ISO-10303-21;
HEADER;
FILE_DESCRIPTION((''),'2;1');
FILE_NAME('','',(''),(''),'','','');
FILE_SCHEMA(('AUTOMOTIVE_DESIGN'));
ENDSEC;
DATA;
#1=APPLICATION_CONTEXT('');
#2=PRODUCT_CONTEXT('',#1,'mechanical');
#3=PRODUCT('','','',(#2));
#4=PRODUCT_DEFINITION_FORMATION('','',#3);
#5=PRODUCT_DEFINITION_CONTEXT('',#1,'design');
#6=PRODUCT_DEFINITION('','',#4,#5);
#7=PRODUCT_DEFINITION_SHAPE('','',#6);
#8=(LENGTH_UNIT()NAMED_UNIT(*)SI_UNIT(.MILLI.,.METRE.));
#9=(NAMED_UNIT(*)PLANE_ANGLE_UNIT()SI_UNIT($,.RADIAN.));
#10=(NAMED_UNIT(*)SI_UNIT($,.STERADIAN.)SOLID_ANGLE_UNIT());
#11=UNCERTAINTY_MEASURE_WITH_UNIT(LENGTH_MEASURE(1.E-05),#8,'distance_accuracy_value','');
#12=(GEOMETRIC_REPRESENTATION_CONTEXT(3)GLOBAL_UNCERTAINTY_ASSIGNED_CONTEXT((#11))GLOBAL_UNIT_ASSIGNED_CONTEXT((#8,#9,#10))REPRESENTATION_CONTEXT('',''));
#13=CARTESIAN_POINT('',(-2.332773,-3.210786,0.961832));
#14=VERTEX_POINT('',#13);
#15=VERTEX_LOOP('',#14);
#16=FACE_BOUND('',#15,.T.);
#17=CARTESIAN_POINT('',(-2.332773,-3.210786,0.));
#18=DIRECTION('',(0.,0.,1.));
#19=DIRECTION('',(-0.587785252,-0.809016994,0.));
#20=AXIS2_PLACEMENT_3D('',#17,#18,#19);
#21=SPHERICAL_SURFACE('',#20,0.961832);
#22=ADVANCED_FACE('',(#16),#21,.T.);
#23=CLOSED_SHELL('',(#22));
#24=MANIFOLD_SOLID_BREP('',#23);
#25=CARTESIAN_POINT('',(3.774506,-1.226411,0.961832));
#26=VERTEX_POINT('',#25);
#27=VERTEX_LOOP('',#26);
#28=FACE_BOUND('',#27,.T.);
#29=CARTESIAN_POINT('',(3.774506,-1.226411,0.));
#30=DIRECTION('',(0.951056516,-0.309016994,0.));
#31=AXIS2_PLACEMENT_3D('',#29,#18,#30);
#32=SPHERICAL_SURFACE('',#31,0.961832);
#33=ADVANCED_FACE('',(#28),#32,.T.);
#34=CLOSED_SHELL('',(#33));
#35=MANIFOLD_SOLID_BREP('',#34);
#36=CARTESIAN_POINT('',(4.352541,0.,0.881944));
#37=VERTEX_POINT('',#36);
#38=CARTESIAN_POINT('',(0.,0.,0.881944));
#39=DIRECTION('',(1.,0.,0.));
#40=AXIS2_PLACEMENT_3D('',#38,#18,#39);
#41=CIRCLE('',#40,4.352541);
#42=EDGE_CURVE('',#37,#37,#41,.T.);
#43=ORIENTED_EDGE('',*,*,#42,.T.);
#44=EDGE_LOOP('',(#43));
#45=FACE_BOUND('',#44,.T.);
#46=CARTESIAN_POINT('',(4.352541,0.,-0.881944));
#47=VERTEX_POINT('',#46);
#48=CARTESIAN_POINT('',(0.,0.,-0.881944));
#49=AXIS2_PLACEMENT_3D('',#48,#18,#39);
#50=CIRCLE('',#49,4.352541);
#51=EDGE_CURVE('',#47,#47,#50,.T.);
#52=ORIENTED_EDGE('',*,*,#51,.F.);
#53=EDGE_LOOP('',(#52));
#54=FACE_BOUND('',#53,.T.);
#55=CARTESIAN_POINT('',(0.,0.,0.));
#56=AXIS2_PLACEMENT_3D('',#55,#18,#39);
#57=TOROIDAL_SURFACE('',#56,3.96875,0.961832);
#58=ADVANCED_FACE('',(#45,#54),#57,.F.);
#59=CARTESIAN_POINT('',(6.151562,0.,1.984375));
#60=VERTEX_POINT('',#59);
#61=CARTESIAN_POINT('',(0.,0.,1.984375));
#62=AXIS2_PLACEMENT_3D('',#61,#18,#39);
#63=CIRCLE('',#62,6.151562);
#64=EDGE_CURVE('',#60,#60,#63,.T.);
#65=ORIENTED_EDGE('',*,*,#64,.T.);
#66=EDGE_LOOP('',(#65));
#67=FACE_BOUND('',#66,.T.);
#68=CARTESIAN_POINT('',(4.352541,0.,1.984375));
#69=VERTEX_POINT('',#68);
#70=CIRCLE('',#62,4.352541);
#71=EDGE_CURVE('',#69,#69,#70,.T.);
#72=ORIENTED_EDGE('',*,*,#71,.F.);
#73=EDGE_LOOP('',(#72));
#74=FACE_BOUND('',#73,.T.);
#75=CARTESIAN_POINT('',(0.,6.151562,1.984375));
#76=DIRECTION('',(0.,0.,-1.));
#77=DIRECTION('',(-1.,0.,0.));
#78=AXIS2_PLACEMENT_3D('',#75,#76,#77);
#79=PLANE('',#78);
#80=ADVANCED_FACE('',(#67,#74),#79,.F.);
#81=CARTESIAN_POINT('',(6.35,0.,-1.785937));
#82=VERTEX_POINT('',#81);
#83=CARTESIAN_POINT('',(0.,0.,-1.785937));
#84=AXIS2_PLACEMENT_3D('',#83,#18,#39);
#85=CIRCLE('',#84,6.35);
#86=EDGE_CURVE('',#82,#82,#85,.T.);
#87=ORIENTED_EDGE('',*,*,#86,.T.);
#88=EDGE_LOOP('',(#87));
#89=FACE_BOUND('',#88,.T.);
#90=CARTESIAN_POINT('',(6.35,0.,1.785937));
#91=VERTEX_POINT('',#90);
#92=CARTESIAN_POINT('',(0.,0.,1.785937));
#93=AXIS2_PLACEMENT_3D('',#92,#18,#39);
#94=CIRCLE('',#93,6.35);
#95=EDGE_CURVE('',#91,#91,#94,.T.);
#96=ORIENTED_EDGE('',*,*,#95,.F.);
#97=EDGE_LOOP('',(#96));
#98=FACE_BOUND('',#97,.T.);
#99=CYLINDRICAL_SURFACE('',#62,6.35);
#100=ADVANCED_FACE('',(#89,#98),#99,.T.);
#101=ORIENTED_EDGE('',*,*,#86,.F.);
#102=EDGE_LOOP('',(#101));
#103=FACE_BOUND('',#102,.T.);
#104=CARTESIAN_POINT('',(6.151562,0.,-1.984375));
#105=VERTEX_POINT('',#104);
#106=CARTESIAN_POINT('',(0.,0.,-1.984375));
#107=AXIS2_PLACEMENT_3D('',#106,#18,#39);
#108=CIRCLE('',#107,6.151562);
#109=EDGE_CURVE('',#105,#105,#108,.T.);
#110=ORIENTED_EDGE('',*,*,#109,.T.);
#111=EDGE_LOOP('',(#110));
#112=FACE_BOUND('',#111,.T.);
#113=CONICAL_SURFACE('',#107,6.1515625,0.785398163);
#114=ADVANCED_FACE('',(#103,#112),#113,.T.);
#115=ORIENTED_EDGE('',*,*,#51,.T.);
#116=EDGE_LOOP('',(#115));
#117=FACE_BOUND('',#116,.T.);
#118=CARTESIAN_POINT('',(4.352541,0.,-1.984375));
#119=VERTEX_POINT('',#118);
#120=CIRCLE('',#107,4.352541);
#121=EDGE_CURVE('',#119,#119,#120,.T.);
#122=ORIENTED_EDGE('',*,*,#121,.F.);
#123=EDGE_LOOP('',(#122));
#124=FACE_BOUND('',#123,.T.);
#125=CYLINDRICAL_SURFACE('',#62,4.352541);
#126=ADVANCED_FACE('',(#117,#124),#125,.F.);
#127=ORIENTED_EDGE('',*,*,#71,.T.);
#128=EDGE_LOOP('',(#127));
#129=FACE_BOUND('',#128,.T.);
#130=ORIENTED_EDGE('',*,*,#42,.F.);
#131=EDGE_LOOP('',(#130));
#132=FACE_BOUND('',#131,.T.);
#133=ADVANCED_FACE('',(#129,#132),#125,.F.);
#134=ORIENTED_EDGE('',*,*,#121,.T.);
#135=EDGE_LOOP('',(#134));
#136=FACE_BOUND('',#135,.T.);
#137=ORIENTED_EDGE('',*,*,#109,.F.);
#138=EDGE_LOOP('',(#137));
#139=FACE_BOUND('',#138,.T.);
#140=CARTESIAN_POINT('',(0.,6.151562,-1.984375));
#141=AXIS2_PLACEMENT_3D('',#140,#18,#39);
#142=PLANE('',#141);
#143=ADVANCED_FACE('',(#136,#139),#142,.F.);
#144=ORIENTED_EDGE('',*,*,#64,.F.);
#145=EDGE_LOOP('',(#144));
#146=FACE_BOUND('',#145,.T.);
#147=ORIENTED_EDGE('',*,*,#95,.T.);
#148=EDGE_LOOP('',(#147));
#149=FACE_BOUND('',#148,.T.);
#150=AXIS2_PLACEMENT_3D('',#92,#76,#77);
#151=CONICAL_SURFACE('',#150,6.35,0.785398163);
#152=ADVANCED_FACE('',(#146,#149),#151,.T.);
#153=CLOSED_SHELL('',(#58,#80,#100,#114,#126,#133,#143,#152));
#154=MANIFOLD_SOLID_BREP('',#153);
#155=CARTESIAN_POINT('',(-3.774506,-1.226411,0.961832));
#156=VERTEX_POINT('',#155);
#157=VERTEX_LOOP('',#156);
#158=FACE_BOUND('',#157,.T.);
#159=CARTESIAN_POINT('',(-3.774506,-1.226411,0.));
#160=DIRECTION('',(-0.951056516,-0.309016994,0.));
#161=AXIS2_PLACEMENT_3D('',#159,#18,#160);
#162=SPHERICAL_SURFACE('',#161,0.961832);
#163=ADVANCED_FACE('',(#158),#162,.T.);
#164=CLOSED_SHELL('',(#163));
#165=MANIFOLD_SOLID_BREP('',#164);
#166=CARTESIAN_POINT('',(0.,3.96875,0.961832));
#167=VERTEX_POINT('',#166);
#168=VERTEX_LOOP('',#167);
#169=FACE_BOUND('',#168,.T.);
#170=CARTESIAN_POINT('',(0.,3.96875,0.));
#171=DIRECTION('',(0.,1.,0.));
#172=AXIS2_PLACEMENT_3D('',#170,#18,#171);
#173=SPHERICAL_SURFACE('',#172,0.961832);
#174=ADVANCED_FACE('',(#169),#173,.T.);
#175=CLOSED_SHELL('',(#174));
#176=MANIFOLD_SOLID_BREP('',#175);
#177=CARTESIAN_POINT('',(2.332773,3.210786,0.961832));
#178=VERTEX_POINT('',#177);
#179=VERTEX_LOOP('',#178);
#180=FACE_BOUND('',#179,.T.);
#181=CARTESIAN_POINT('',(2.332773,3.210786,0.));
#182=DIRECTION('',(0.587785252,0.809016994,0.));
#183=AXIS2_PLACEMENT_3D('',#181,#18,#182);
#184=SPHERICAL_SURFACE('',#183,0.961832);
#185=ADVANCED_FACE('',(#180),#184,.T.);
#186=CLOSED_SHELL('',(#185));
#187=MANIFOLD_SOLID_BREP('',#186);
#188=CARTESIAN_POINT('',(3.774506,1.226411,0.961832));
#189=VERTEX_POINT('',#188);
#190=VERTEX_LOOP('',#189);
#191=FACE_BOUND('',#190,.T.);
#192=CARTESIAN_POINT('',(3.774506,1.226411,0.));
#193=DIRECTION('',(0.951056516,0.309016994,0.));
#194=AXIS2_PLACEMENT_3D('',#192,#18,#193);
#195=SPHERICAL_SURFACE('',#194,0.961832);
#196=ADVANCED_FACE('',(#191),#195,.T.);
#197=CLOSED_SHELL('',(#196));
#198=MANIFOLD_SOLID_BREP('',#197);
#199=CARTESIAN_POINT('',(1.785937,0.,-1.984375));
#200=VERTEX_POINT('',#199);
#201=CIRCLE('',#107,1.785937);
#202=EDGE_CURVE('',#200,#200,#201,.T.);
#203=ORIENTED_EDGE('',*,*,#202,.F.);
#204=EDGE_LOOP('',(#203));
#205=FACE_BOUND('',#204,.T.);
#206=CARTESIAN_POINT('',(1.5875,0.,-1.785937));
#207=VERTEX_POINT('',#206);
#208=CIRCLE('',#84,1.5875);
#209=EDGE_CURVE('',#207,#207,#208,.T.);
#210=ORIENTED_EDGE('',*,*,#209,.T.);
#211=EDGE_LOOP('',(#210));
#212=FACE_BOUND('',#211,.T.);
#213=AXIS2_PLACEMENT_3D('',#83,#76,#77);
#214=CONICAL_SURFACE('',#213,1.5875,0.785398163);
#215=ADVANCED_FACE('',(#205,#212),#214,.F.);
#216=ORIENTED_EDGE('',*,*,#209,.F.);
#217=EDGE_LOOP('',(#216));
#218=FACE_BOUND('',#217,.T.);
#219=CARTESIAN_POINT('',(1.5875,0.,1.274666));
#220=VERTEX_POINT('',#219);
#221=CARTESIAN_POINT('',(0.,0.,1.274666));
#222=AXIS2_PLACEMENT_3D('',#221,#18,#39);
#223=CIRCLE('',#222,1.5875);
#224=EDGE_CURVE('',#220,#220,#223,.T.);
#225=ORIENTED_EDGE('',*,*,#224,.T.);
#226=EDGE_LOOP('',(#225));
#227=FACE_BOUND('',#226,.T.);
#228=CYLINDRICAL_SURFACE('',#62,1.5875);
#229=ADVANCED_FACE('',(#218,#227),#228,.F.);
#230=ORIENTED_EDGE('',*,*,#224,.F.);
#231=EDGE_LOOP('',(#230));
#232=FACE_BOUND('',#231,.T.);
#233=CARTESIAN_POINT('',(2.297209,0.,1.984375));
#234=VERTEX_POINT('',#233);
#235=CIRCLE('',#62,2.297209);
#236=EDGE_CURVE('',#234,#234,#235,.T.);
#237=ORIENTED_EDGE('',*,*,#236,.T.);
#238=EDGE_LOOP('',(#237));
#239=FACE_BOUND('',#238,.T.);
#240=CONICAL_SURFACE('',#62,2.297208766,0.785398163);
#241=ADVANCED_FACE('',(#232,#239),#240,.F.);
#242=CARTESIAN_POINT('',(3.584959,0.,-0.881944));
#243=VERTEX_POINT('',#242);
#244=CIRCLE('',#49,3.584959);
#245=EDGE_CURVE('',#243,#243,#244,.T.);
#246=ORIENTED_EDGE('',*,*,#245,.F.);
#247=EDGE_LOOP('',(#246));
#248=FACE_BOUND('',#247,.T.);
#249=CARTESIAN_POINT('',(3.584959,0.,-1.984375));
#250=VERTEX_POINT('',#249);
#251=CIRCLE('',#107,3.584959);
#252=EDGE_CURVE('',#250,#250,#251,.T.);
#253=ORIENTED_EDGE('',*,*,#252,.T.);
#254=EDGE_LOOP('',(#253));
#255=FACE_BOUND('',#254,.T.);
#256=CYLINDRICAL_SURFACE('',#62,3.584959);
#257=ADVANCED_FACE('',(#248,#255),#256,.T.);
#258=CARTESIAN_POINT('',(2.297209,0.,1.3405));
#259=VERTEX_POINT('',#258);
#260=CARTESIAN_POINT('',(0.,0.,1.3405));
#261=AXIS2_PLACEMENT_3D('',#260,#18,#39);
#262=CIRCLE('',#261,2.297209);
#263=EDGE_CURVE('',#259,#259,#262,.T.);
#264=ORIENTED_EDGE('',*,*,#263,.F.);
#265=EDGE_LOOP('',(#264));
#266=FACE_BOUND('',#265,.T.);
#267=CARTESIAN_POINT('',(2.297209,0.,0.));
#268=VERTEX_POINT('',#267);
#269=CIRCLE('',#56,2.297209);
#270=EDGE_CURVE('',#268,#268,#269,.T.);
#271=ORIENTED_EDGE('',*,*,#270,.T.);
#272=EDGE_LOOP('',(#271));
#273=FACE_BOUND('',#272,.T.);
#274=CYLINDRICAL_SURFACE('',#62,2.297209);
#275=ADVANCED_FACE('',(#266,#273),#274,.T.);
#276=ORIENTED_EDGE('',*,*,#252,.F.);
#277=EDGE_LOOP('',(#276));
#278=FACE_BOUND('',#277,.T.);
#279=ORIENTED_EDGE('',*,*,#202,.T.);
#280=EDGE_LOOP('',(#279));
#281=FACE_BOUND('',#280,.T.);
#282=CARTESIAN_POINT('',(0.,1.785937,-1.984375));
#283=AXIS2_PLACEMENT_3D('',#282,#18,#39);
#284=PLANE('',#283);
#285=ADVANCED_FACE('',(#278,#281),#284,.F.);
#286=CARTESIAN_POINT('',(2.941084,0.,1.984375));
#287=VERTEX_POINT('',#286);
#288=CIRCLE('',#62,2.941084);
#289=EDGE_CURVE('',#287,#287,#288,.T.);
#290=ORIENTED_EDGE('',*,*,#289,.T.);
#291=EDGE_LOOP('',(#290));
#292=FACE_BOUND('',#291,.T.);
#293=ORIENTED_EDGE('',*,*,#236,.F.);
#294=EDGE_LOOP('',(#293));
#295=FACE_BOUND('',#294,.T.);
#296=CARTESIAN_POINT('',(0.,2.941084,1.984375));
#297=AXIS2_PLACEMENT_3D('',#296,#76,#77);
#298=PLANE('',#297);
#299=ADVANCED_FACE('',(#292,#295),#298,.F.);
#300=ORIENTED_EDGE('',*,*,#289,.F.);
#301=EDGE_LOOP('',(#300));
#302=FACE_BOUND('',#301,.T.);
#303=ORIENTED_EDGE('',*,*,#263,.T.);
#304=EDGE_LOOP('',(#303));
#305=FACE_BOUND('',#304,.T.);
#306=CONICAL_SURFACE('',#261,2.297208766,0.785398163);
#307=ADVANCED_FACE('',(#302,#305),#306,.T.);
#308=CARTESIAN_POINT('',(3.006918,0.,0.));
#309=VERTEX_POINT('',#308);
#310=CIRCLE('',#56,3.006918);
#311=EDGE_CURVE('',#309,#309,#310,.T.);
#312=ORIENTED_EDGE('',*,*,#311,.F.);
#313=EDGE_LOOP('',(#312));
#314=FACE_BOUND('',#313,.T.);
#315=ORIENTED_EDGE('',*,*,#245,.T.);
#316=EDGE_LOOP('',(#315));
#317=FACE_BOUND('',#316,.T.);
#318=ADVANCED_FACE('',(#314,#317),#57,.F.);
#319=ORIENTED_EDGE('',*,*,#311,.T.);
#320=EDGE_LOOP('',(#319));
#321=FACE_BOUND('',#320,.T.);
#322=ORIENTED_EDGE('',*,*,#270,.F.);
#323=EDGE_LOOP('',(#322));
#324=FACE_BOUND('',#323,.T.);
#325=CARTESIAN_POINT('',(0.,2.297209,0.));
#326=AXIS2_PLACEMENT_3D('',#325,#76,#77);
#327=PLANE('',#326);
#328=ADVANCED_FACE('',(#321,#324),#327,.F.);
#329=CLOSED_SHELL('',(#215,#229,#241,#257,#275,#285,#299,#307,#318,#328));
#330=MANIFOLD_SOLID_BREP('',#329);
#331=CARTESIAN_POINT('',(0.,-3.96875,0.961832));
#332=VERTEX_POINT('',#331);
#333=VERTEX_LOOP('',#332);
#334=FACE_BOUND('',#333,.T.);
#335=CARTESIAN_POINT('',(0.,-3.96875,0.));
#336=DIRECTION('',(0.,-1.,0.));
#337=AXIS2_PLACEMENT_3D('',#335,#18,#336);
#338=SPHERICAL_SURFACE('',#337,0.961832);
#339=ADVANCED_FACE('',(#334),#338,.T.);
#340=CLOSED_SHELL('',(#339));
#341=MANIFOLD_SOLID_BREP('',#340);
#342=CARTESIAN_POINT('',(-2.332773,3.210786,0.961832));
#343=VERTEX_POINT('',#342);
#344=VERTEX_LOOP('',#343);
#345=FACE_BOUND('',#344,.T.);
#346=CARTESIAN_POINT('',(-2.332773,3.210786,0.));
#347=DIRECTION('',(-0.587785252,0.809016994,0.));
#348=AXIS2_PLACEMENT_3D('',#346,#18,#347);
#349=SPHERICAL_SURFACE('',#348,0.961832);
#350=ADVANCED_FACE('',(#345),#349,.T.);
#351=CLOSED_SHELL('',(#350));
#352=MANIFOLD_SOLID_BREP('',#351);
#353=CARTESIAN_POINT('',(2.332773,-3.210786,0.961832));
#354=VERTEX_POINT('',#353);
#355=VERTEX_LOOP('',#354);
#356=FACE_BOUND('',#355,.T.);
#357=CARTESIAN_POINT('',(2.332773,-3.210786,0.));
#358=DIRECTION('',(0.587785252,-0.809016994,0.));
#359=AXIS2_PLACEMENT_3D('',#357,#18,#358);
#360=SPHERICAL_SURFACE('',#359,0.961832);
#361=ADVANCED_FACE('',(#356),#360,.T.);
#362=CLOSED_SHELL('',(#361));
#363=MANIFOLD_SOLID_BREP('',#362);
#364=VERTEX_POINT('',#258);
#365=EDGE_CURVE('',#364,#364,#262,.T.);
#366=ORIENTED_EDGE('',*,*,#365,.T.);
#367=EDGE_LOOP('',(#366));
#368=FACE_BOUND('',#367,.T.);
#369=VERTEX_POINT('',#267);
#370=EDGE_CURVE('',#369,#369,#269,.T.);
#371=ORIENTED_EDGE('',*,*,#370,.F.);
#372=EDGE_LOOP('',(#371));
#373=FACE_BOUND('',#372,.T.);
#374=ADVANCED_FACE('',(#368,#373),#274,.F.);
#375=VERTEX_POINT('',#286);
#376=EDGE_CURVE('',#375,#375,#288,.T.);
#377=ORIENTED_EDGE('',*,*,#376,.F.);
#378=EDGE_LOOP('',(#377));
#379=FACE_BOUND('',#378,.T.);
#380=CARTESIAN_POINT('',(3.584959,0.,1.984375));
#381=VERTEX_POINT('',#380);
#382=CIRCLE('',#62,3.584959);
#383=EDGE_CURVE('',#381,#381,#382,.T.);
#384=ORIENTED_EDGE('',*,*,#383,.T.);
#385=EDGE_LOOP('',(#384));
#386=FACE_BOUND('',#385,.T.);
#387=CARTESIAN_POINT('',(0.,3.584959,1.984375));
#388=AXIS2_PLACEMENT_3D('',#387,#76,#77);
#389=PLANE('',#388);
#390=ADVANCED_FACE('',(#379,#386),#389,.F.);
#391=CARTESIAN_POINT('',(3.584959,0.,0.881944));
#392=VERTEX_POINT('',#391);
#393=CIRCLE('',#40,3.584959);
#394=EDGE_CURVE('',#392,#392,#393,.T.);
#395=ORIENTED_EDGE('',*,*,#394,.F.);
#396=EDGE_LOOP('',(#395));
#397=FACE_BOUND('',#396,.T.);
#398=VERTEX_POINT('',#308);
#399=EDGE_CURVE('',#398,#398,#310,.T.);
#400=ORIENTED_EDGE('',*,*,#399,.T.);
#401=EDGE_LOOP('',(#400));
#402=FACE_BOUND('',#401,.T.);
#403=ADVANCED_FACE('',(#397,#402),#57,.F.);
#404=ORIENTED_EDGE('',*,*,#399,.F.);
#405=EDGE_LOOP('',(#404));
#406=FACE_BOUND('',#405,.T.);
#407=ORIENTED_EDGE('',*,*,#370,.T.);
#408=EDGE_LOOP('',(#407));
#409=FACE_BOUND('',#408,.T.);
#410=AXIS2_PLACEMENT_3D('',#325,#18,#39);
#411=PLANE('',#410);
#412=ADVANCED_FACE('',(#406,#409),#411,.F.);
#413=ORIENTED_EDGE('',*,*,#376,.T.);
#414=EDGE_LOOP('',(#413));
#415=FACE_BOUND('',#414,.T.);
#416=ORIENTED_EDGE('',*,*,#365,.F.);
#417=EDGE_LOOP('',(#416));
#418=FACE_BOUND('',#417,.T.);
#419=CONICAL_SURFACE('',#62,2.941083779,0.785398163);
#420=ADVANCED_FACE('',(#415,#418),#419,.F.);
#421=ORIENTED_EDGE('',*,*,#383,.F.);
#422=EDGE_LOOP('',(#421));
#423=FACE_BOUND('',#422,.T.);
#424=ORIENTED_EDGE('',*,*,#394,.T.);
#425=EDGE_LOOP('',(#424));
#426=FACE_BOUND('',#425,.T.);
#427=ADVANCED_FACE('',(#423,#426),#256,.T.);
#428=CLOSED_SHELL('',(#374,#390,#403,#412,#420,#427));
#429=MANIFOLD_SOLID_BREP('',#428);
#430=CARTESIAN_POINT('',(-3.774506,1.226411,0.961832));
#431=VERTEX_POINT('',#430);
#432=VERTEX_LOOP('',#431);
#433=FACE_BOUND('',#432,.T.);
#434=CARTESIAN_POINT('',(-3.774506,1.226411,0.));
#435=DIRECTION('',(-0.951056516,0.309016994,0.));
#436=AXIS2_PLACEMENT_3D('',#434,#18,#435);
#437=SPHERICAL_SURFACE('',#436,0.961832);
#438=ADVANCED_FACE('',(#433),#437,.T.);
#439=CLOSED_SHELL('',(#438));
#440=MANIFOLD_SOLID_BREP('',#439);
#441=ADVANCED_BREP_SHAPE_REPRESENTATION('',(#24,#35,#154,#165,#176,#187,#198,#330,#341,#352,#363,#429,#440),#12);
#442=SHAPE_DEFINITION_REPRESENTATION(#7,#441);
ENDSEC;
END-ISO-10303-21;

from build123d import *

# Parameters (mm, degrees)
CIRPATTERN1_COUNT = 10


with BuildPart() as part:
    # Sketch1 → Revolve1 (revolve)
    with BuildSketch(Plane(origin=(0, 0, 0), x_dir=(0, 0, -1), z_dir=(1, 0, 0))):
        with BuildLine():
            Line((1.7859375, 6.35), (-1.7859375, 6.35))
            Line((-1.7859375, 6.35), (-1.984375, 6.1515625))
            Line((-1.984375, 6.1515625), (-1.984375, 4.352541209))
            Line((-1.984375, 4.352541209), (-0.881944444, 4.352541209))
            ThreePointArc((-0.881944444, 4.352541209), (0, 4.930582467), (0.881944444, 4.352541209))
            Line((0.881944444, 4.352541209), (1.984375, 4.352541209))
            Line((1.984375, 4.352541209), (1.984375, 6.1515625))
            Line((1.984375, 6.1515625), (1.7859375, 6.35))
        make_face()
    revolve(axis=Axis((0, 0, 1.984375), (0, 0, -1)))


with BuildPart() as body_2:
    # Sketch2 → Revolve2 (revolve)
    with BuildSketch(Plane(origin=(0, 0, 0), x_dir=(0, 0, -1), z_dir=(1, 0, 0))):
        with BuildLine():
            Line((-1.984375, 3.584958791), (-0.881944444, 3.584958791))
            ThreePointArc((-0.881944444, 3.584958791), (-0.527247025, 3.164304682), (0, 3.006917533))
            Line((0, 3.006917533), (0, 2.297208766))
            Line((0, 2.297208766), (-1.340499988, 2.297208766))
            Line((-1.340499988, 2.297208766), (-1.984375, 2.941083779))
            Line((-1.984375, 2.941083779), (-1.984375, 3.584958791))
        make_face()
    revolve(axis=Axis((0, 0, 1.984375), (0, 0, -1)))


with BuildPart() as body_3:
    # Sketch3 → Revolve3 (revolve)
    with BuildSketch(Plane(origin=(0, 0, 0), x_dir=(0, 0, -1), z_dir=(1, 0, 0))):
        with BuildLine():
            Line((-1.984375, 2.941083779), (-1.340499988, 2.297208766))
            Line((-1.340499988, 2.297208766), (0, 2.297208766))
            Line((0, 2.297208766), (0, 3.006917533))
            ThreePointArc((0, 3.006917533), (0.527247025, 3.164304682), (0.881944444, 3.584958791))
            Line((0.881944444, 3.584958791), (1.984375, 3.584958791))
            Line((1.984375, 3.584958791), (1.984375, 1.7859375))
            Line((1.984375, 1.7859375), (1.7859375, 1.5875))
            Line((1.7859375, 1.5875), (-1.274666234, 1.5875))
            Line((-1.274666234, 1.5875), (-1.984375, 2.297208766))
            Line((-1.984375, 2.297208766), (-1.984375, 2.941083779))
        make_face()
    revolve(axis=Axis((0, 0, 1.984375), (0, 0, -1)))


with BuildPart() as body_4:
    # Sketch4 → Revolve4 (revolve)
    with BuildSketch(Plane(origin=(0, 0, 0), x_dir=(0, 0, -1), z_dir=(1, 0, 0))):
        with BuildLine():
            Line((-0.961832467, 3.96875), (0.961832467, 3.96875))
            ThreePointArc((0.961832467, 3.96875), (0, 4.930582467), (-0.961832467, 3.96875))
        make_face()
    revolve(axis=Axis((0, 3.96875, 0.961832467), (0, 0, -1)))


with BuildPart() as cirpattern1_1:
    # CirPattern1: pattern copy
    add(body_4.part.rotate(Axis((0, 0, -1.984375), (0, 0, 1)), 1 * 360 / CIRPATTERN1_COUNT))


with BuildPart() as cirpattern1_2:
    # CirPattern1: pattern copy
    add(body_4.part.rotate(Axis((0, 0, -1.984375), (0, 0, 1)), 2 * 360 / CIRPATTERN1_COUNT))


with BuildPart() as cirpattern1_3:
    # CirPattern1: pattern copy
    add(body_4.part.rotate(Axis((0, 0, -1.984375), (0, 0, 1)), 3 * 360 / CIRPATTERN1_COUNT))


with BuildPart() as cirpattern1_4:
    # CirPattern1: pattern copy
    add(body_4.part.rotate(Axis((0, 0, -1.984375), (0, 0, 1)), 4 * 360 / CIRPATTERN1_COUNT))


with BuildPart() as cirpattern1_5:
    # CirPattern1: pattern copy
    add(body_4.part.rotate(Axis((0, 0, -1.984375), (0, 0, 1)), 5 * 360 / CIRPATTERN1_COUNT))


with BuildPart() as cirpattern1_6:
    # CirPattern1: pattern copy
    add(body_4.part.rotate(Axis((0, 0, -1.984375), (0, 0, 1)), 6 * 360 / CIRPATTERN1_COUNT))


with BuildPart() as cirpattern1_7:
    # CirPattern1: pattern copy
    add(body_4.part.rotate(Axis((0, 0, -1.984375), (0, 0, 1)), 7 * 360 / CIRPATTERN1_COUNT))


with BuildPart() as cirpattern1_8:
    # CirPattern1: pattern copy
    add(body_4.part.rotate(Axis((0, 0, -1.984375), (0, 0, 1)), 8 * 360 / CIRPATTERN1_COUNT))


with BuildPart() as cirpattern1_9:
    # CirPattern1: pattern copy
    add(body_4.part.rotate(Axis((0, 0, -1.984375), (0, 0, 1)), 9 * 360 / CIRPATTERN1_COUNT))


solid = Compound([part.part, body_2.part, body_3.part, body_4.part, cirpattern1_1.part, cirpattern1_2.part, cirpattern1_3.part, cirpattern1_4.part, cirpattern1_5.part, cirpattern1_6.part, cirpattern1_7.part, cirpattern1_8.part, cirpattern1_9.part])
